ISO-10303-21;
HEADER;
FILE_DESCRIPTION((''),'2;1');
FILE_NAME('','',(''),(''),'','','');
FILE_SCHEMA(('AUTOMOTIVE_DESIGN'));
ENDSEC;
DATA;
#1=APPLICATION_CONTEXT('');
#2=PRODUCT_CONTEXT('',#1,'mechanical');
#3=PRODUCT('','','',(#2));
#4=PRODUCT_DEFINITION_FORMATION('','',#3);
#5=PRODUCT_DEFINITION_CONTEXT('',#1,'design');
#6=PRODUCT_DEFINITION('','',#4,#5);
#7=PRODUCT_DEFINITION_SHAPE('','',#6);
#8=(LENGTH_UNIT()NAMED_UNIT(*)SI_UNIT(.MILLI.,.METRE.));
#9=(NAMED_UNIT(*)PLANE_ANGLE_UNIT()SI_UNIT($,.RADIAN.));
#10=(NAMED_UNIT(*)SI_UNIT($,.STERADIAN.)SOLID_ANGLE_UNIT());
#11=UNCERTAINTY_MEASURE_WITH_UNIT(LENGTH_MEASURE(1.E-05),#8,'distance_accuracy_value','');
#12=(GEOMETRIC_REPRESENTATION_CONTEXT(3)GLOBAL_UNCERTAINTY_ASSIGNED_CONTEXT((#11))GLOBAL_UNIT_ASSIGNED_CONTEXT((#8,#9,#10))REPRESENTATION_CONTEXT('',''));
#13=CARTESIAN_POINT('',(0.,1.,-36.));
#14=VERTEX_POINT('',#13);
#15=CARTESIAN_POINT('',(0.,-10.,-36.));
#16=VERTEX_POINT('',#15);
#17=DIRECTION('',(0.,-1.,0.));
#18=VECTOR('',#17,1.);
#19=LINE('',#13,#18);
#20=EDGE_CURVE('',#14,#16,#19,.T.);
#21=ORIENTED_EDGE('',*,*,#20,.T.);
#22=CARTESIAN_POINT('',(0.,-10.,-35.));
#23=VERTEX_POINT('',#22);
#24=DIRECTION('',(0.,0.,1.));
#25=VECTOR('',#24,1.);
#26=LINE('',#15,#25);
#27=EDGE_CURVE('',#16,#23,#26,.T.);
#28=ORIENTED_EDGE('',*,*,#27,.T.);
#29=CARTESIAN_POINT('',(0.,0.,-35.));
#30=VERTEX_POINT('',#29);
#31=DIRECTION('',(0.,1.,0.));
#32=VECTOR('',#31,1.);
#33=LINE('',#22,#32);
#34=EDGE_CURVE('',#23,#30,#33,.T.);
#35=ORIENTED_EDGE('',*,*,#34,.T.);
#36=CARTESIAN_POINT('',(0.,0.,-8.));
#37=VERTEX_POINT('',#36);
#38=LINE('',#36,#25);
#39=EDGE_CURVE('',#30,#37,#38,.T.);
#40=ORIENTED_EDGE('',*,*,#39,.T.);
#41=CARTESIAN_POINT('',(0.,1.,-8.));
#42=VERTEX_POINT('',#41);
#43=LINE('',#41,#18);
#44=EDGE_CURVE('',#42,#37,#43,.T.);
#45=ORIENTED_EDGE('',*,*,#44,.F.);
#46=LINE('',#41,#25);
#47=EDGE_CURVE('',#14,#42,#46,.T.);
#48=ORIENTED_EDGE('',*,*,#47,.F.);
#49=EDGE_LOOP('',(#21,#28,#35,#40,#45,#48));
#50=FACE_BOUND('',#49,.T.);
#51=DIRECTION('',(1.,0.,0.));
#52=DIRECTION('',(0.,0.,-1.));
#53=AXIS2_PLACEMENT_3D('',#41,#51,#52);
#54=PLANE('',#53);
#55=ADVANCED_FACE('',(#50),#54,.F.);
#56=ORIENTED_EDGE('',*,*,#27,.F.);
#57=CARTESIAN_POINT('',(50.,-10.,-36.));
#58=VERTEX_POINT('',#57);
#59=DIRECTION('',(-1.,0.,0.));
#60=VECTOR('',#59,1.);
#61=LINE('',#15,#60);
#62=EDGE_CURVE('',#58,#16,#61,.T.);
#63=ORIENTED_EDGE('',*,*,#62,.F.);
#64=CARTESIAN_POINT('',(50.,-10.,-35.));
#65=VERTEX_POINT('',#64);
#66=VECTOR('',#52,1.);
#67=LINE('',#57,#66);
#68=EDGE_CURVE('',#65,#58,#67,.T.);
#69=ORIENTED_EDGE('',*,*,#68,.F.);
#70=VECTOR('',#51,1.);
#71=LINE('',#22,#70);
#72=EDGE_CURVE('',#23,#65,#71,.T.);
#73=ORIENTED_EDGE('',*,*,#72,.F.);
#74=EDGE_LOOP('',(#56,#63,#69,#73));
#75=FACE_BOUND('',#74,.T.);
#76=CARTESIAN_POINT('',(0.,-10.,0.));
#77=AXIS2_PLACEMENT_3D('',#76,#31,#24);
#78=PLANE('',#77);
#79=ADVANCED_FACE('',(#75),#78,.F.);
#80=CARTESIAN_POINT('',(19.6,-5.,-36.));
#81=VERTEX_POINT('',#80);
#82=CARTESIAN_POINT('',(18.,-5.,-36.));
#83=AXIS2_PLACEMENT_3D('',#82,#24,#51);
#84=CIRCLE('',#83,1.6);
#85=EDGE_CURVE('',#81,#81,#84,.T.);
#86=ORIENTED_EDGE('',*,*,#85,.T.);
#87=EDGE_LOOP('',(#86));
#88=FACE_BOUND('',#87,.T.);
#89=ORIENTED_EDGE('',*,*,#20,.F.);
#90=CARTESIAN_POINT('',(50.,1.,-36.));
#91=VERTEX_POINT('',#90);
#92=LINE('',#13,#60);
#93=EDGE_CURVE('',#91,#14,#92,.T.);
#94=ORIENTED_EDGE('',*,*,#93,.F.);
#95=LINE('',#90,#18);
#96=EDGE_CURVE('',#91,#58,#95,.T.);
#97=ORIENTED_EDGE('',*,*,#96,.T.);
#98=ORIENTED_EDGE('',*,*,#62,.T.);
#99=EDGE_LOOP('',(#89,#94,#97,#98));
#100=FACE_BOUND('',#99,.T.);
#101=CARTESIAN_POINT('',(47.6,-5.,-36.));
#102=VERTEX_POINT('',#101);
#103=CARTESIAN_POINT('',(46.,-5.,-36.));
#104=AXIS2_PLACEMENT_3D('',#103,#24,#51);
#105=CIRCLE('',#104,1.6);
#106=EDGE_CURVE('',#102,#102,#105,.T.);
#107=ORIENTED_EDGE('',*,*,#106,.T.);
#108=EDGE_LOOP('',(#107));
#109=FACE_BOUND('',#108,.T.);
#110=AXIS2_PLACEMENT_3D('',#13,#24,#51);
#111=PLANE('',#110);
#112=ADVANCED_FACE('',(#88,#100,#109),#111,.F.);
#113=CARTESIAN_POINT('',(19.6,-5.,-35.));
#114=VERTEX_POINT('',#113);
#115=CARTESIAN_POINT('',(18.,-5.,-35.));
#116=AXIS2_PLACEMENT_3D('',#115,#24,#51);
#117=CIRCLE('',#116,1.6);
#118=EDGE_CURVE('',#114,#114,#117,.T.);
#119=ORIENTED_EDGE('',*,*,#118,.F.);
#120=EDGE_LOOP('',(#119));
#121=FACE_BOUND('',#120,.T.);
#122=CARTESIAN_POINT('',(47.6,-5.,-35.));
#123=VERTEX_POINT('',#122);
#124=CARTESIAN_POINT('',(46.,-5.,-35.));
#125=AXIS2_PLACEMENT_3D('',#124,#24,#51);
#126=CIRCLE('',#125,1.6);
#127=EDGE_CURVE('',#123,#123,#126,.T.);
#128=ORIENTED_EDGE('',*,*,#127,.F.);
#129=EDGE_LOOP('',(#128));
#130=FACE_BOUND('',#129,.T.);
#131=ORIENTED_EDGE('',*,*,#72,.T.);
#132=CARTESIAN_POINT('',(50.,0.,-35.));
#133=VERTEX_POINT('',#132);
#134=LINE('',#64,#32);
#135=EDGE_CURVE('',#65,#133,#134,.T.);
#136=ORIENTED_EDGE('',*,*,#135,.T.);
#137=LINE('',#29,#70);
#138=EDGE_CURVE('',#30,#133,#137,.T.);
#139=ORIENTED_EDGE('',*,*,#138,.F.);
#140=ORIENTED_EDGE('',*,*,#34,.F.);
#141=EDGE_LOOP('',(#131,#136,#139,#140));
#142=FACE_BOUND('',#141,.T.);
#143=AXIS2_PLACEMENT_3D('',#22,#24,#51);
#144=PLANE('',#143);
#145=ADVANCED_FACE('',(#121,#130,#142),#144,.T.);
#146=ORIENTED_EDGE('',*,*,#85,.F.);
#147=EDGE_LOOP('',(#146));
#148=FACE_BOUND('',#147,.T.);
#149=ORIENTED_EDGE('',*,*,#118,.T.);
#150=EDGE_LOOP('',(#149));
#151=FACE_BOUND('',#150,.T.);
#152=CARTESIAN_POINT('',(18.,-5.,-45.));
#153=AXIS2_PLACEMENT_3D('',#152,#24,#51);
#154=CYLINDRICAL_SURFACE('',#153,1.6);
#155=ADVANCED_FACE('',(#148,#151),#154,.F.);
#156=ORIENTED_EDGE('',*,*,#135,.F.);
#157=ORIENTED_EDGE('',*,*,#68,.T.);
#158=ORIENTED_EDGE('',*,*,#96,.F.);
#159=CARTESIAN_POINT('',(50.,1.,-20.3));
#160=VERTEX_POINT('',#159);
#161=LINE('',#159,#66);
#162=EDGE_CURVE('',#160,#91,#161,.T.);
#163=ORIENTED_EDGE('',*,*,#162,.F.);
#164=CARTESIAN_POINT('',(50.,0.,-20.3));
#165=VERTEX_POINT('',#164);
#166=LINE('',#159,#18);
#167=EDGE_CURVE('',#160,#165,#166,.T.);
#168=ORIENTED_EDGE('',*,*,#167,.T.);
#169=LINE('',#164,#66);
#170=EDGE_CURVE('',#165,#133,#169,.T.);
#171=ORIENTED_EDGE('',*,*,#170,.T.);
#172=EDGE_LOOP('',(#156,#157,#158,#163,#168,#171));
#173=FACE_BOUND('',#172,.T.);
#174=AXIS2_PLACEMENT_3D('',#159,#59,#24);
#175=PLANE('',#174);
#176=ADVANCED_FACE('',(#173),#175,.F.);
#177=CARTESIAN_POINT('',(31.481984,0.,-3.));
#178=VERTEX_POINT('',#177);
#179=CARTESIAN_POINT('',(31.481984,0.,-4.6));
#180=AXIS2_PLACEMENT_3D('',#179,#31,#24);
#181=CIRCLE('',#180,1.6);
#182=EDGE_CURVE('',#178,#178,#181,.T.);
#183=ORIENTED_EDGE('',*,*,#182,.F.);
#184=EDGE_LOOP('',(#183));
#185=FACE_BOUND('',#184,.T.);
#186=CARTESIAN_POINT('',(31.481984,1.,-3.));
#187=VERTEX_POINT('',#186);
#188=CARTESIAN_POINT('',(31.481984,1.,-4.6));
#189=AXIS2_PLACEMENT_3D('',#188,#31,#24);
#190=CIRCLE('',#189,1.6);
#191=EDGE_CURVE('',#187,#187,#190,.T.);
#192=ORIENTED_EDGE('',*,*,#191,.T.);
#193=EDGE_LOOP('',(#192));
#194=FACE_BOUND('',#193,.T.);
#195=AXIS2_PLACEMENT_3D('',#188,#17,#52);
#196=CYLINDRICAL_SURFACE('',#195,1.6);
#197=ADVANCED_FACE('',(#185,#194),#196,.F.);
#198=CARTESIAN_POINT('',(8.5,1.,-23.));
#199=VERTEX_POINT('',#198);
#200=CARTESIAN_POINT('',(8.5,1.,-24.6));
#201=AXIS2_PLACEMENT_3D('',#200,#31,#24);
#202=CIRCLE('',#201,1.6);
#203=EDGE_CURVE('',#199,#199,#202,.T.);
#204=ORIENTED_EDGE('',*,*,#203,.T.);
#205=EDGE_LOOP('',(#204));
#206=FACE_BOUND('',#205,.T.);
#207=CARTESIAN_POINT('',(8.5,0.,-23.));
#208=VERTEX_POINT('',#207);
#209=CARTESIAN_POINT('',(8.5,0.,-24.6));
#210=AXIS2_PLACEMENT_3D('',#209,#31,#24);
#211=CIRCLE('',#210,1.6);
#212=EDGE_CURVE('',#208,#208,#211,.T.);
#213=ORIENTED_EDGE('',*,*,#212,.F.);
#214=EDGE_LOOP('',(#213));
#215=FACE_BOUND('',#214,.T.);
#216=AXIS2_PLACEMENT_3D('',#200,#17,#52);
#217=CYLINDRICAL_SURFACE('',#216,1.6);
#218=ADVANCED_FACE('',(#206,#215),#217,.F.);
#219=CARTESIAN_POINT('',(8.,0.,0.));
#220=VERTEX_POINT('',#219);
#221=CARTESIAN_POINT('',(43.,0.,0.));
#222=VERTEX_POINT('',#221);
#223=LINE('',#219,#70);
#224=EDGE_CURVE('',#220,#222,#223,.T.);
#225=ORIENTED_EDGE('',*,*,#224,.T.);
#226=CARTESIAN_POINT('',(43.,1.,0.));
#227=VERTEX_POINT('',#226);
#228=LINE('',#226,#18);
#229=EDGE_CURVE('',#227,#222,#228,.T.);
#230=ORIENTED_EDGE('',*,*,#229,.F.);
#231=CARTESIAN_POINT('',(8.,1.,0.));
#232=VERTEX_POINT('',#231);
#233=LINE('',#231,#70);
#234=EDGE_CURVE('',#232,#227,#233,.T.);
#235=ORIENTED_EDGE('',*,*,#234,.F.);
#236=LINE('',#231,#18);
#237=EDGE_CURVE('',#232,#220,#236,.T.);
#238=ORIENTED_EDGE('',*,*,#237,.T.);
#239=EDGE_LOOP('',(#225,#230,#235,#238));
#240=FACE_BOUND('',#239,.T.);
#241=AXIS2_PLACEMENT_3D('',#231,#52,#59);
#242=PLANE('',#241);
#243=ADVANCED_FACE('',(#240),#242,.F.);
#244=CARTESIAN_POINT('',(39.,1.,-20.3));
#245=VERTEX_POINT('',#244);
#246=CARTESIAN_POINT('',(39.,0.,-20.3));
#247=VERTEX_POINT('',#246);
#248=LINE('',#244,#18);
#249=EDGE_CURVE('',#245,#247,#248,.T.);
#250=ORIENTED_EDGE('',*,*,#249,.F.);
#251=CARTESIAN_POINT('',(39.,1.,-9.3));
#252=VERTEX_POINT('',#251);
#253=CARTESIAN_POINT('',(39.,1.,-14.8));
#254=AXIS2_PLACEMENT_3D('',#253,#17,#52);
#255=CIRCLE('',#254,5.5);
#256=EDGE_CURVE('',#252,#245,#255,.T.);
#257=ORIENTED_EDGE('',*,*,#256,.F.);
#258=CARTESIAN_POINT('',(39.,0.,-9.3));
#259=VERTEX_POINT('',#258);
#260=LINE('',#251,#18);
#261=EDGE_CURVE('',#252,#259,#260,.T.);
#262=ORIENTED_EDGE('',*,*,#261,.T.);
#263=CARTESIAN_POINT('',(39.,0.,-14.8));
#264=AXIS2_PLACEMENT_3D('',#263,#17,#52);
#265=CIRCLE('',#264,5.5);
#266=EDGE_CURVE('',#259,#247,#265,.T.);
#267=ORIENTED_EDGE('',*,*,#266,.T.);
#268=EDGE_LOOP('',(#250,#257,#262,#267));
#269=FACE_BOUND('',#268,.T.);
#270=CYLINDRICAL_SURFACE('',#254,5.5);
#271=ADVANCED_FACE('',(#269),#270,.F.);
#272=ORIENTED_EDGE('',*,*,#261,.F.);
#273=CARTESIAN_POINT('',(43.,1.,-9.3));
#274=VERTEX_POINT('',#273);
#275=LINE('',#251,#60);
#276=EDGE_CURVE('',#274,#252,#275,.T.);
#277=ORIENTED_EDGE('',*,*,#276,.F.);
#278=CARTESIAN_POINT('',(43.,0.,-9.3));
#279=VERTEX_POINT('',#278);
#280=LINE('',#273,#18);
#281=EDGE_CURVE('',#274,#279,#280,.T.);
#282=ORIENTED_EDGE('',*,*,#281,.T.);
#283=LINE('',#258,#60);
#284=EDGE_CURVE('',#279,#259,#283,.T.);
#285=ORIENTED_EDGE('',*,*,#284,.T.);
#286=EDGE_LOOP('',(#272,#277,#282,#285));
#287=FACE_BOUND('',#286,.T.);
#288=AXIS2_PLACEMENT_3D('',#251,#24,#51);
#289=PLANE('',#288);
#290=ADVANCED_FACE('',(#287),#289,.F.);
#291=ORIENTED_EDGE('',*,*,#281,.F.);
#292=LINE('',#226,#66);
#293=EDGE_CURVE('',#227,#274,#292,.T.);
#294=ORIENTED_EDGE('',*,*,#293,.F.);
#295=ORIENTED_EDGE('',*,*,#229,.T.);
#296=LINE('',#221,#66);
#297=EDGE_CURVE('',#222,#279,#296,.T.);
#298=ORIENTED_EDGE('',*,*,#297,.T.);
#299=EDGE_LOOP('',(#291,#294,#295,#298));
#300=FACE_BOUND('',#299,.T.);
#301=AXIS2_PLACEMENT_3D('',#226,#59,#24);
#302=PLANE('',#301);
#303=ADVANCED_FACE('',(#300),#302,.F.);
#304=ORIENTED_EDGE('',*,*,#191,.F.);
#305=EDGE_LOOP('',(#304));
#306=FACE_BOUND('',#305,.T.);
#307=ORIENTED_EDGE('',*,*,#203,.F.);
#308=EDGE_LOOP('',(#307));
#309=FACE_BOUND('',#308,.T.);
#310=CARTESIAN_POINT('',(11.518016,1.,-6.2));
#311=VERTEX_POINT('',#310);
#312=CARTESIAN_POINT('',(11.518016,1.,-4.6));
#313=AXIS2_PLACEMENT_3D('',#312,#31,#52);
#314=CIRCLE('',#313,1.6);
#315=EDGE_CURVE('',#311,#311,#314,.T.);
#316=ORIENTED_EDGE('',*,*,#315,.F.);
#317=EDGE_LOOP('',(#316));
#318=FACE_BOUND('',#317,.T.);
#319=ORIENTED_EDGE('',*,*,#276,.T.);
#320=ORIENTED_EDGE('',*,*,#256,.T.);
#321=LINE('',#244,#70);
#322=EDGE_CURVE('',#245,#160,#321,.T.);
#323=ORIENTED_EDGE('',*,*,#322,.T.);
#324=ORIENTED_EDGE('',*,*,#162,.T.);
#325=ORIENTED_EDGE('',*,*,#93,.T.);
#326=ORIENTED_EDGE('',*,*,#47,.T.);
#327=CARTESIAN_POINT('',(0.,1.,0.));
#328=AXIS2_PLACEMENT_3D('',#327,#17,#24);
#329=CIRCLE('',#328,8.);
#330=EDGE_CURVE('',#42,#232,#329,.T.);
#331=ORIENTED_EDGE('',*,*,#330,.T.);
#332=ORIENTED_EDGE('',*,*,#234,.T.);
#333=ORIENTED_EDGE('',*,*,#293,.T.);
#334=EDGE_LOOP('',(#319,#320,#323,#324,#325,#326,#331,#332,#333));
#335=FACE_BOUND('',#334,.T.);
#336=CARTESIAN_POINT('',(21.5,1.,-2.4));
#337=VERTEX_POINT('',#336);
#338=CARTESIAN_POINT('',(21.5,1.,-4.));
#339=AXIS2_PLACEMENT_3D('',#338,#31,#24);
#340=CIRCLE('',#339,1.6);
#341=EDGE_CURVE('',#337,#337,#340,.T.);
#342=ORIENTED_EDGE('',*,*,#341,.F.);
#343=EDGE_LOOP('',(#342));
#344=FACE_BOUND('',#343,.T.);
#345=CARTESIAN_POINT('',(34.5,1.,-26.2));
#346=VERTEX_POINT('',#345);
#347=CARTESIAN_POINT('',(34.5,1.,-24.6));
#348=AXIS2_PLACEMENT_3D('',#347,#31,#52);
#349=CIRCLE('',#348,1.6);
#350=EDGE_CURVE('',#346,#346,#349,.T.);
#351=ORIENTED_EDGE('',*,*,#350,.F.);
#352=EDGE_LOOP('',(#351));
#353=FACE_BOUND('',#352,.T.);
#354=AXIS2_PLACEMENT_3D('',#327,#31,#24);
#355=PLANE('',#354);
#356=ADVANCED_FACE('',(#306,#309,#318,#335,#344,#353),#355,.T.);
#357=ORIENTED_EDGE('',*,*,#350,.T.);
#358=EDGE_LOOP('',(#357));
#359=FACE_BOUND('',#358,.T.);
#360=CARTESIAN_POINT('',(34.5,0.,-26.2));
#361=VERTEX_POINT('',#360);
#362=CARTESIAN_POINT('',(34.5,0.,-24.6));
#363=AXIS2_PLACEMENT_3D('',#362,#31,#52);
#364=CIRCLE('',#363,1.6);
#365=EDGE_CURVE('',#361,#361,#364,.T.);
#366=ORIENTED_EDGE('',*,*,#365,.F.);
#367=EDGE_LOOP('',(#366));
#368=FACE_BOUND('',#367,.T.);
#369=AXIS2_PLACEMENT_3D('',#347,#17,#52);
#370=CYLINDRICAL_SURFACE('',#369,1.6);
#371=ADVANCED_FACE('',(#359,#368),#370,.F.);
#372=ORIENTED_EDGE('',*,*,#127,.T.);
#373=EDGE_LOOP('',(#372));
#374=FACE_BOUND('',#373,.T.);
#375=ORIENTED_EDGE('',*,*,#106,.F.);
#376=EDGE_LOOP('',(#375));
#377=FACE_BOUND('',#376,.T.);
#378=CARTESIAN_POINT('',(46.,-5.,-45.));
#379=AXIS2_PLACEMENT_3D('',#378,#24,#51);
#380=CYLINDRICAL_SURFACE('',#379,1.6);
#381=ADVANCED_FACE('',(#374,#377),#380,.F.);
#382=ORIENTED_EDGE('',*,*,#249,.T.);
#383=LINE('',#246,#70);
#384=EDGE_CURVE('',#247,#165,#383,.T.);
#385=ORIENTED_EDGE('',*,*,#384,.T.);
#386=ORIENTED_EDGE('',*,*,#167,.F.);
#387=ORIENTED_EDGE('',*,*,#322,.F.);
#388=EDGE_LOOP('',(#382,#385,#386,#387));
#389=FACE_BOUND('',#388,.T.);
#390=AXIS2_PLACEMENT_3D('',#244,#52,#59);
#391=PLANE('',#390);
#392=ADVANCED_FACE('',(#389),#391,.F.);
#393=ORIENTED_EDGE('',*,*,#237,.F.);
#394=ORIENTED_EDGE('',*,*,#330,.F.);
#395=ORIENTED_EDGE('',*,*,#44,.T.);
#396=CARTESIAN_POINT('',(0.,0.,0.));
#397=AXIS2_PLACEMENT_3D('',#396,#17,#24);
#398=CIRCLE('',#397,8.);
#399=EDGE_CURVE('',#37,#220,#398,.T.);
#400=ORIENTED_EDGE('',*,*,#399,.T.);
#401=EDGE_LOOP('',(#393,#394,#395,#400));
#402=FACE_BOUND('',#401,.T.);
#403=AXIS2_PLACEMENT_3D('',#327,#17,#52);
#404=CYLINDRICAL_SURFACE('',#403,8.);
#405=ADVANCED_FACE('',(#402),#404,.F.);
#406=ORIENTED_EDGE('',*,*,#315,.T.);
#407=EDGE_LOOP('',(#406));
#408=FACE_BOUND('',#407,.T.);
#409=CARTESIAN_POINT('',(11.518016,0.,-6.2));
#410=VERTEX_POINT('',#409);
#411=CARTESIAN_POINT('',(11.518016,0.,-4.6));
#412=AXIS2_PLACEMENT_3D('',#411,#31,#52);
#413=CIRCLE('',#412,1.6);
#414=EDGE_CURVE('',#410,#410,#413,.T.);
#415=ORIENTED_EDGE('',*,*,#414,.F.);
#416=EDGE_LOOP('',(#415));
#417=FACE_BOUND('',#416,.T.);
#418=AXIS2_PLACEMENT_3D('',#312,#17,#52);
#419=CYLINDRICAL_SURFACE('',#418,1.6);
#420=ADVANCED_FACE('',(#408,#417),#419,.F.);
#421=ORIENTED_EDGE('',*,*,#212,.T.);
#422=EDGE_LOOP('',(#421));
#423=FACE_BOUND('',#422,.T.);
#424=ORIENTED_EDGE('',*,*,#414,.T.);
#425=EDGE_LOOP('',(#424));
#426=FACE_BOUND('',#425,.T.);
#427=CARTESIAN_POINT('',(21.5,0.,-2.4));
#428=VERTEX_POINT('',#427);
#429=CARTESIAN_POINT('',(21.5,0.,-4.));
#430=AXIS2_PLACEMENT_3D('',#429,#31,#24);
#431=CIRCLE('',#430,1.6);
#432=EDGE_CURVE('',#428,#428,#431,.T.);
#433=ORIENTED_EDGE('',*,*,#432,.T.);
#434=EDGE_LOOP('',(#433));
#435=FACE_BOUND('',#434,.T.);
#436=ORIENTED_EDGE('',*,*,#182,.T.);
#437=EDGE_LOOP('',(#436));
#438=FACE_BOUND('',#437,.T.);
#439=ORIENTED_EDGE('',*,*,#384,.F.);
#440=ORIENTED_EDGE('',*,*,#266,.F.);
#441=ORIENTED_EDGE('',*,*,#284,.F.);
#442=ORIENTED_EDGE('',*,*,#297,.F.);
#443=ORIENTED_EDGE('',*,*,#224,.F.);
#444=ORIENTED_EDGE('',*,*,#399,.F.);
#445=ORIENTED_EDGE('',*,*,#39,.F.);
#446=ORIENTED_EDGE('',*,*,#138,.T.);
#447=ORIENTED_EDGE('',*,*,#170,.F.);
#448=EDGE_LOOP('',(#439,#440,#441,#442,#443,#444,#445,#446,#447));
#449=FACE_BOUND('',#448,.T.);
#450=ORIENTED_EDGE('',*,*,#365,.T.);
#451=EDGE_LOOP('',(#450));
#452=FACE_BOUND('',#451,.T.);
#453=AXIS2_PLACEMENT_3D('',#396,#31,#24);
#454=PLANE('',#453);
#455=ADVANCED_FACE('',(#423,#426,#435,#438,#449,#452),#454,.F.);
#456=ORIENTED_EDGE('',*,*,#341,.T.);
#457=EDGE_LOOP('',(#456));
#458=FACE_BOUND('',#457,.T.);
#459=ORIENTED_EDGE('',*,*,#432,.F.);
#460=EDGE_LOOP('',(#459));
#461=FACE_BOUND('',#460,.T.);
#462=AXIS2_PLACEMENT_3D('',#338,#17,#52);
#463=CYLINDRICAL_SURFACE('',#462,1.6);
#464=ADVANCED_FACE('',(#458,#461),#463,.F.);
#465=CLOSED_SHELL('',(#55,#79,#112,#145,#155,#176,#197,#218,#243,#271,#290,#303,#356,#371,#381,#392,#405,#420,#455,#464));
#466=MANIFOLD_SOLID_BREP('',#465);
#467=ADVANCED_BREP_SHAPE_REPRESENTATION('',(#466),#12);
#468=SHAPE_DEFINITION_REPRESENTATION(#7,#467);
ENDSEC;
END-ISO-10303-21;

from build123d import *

# Parameters (mm, degrees)
SKETCH_1_R          = 1.6
EXTRUDE_1_DEPTH     = 1
SKETCH_2_W          = 50
SKETCH_2_H          = 1
EXTRUDE_2_DEPTH     = 11
SKETCH_3_R          = 1.6
CUT_EXTRUDE_1_DEPTH = 10


with BuildPart() as part:
    # 草图1 → 凸台-拉伸1 (new body)
    with BuildSketch(Plane(origin=(0, 0, 0), x_dir=(1, 0, 0), z_dir=(0, 1, 0))):
        with BuildLine():
            Line((8, 0), (43, 0))
            Line((43, 0), (43, 9.3))
            Line((43, 9.3), (39, 9.3))
            ThreePointArc((39, 9.3), (33.5, 14.8), (39, 20.3))
            Line((39, 20.3), (50, 20.3))
            Line((50, 20.3), (50, 36))
            Line((50, 36), (0, 36))
            Line((0, 36), (0, 8))
            ThreePointArc((0, 8), (5.656854249, 5.656854249), (8, 0))
        make_face()
        with Locations(Location((8.5, 24.6, 0), (0, 0, 270))):
            Circle(SKETCH_1_R, mode=Mode.SUBTRACT)
        with Locations(Location((21.5, 4, 0), (0, 0, 270))):
            Circle(SKETCH_1_R, mode=Mode.SUBTRACT)
        with Locations(Location((34.5, 24.6, 0), (0, 0, 90))):
            Circle(SKETCH_1_R, mode=Mode.SUBTRACT)
        with Locations(Location((31.481983771, 4.6, 0), (0, 0, 270))):
            Circle(SKETCH_1_R, mode=Mode.SUBTRACT)
        with Locations(Location((11.518016229, 4.6, 0), (0, 0, 90))):
            Circle(SKETCH_1_R, mode=Mode.SUBTRACT)
    extrude(amount=EXTRUDE_1_DEPTH)

    # 草图2 → 凸台-拉伸2 (add)
    with BuildSketch(Plane(origin=(0, 1, 0), x_dir=(1, 0, 0), z_dir=(0, 1, 0))):
        with Locations((25, 35.5)):
            Rectangle(SKETCH_2_W, SKETCH_2_H)
    extrude(amount=-EXTRUDE_2_DEPTH)

    # 草图3 → 切除-拉伸1 (cut)
    with BuildSketch(Plane.XY.offset(-35)):
        with Locations((46, -5)):
            Circle(SKETCH_3_R)
        with Locations((18, -5)):
            Circle(SKETCH_3_R)
    extrude(amount=-CUT_EXTRUDE_1_DEPTH, mode=Mode.SUBTRACT)


solid = part.part
